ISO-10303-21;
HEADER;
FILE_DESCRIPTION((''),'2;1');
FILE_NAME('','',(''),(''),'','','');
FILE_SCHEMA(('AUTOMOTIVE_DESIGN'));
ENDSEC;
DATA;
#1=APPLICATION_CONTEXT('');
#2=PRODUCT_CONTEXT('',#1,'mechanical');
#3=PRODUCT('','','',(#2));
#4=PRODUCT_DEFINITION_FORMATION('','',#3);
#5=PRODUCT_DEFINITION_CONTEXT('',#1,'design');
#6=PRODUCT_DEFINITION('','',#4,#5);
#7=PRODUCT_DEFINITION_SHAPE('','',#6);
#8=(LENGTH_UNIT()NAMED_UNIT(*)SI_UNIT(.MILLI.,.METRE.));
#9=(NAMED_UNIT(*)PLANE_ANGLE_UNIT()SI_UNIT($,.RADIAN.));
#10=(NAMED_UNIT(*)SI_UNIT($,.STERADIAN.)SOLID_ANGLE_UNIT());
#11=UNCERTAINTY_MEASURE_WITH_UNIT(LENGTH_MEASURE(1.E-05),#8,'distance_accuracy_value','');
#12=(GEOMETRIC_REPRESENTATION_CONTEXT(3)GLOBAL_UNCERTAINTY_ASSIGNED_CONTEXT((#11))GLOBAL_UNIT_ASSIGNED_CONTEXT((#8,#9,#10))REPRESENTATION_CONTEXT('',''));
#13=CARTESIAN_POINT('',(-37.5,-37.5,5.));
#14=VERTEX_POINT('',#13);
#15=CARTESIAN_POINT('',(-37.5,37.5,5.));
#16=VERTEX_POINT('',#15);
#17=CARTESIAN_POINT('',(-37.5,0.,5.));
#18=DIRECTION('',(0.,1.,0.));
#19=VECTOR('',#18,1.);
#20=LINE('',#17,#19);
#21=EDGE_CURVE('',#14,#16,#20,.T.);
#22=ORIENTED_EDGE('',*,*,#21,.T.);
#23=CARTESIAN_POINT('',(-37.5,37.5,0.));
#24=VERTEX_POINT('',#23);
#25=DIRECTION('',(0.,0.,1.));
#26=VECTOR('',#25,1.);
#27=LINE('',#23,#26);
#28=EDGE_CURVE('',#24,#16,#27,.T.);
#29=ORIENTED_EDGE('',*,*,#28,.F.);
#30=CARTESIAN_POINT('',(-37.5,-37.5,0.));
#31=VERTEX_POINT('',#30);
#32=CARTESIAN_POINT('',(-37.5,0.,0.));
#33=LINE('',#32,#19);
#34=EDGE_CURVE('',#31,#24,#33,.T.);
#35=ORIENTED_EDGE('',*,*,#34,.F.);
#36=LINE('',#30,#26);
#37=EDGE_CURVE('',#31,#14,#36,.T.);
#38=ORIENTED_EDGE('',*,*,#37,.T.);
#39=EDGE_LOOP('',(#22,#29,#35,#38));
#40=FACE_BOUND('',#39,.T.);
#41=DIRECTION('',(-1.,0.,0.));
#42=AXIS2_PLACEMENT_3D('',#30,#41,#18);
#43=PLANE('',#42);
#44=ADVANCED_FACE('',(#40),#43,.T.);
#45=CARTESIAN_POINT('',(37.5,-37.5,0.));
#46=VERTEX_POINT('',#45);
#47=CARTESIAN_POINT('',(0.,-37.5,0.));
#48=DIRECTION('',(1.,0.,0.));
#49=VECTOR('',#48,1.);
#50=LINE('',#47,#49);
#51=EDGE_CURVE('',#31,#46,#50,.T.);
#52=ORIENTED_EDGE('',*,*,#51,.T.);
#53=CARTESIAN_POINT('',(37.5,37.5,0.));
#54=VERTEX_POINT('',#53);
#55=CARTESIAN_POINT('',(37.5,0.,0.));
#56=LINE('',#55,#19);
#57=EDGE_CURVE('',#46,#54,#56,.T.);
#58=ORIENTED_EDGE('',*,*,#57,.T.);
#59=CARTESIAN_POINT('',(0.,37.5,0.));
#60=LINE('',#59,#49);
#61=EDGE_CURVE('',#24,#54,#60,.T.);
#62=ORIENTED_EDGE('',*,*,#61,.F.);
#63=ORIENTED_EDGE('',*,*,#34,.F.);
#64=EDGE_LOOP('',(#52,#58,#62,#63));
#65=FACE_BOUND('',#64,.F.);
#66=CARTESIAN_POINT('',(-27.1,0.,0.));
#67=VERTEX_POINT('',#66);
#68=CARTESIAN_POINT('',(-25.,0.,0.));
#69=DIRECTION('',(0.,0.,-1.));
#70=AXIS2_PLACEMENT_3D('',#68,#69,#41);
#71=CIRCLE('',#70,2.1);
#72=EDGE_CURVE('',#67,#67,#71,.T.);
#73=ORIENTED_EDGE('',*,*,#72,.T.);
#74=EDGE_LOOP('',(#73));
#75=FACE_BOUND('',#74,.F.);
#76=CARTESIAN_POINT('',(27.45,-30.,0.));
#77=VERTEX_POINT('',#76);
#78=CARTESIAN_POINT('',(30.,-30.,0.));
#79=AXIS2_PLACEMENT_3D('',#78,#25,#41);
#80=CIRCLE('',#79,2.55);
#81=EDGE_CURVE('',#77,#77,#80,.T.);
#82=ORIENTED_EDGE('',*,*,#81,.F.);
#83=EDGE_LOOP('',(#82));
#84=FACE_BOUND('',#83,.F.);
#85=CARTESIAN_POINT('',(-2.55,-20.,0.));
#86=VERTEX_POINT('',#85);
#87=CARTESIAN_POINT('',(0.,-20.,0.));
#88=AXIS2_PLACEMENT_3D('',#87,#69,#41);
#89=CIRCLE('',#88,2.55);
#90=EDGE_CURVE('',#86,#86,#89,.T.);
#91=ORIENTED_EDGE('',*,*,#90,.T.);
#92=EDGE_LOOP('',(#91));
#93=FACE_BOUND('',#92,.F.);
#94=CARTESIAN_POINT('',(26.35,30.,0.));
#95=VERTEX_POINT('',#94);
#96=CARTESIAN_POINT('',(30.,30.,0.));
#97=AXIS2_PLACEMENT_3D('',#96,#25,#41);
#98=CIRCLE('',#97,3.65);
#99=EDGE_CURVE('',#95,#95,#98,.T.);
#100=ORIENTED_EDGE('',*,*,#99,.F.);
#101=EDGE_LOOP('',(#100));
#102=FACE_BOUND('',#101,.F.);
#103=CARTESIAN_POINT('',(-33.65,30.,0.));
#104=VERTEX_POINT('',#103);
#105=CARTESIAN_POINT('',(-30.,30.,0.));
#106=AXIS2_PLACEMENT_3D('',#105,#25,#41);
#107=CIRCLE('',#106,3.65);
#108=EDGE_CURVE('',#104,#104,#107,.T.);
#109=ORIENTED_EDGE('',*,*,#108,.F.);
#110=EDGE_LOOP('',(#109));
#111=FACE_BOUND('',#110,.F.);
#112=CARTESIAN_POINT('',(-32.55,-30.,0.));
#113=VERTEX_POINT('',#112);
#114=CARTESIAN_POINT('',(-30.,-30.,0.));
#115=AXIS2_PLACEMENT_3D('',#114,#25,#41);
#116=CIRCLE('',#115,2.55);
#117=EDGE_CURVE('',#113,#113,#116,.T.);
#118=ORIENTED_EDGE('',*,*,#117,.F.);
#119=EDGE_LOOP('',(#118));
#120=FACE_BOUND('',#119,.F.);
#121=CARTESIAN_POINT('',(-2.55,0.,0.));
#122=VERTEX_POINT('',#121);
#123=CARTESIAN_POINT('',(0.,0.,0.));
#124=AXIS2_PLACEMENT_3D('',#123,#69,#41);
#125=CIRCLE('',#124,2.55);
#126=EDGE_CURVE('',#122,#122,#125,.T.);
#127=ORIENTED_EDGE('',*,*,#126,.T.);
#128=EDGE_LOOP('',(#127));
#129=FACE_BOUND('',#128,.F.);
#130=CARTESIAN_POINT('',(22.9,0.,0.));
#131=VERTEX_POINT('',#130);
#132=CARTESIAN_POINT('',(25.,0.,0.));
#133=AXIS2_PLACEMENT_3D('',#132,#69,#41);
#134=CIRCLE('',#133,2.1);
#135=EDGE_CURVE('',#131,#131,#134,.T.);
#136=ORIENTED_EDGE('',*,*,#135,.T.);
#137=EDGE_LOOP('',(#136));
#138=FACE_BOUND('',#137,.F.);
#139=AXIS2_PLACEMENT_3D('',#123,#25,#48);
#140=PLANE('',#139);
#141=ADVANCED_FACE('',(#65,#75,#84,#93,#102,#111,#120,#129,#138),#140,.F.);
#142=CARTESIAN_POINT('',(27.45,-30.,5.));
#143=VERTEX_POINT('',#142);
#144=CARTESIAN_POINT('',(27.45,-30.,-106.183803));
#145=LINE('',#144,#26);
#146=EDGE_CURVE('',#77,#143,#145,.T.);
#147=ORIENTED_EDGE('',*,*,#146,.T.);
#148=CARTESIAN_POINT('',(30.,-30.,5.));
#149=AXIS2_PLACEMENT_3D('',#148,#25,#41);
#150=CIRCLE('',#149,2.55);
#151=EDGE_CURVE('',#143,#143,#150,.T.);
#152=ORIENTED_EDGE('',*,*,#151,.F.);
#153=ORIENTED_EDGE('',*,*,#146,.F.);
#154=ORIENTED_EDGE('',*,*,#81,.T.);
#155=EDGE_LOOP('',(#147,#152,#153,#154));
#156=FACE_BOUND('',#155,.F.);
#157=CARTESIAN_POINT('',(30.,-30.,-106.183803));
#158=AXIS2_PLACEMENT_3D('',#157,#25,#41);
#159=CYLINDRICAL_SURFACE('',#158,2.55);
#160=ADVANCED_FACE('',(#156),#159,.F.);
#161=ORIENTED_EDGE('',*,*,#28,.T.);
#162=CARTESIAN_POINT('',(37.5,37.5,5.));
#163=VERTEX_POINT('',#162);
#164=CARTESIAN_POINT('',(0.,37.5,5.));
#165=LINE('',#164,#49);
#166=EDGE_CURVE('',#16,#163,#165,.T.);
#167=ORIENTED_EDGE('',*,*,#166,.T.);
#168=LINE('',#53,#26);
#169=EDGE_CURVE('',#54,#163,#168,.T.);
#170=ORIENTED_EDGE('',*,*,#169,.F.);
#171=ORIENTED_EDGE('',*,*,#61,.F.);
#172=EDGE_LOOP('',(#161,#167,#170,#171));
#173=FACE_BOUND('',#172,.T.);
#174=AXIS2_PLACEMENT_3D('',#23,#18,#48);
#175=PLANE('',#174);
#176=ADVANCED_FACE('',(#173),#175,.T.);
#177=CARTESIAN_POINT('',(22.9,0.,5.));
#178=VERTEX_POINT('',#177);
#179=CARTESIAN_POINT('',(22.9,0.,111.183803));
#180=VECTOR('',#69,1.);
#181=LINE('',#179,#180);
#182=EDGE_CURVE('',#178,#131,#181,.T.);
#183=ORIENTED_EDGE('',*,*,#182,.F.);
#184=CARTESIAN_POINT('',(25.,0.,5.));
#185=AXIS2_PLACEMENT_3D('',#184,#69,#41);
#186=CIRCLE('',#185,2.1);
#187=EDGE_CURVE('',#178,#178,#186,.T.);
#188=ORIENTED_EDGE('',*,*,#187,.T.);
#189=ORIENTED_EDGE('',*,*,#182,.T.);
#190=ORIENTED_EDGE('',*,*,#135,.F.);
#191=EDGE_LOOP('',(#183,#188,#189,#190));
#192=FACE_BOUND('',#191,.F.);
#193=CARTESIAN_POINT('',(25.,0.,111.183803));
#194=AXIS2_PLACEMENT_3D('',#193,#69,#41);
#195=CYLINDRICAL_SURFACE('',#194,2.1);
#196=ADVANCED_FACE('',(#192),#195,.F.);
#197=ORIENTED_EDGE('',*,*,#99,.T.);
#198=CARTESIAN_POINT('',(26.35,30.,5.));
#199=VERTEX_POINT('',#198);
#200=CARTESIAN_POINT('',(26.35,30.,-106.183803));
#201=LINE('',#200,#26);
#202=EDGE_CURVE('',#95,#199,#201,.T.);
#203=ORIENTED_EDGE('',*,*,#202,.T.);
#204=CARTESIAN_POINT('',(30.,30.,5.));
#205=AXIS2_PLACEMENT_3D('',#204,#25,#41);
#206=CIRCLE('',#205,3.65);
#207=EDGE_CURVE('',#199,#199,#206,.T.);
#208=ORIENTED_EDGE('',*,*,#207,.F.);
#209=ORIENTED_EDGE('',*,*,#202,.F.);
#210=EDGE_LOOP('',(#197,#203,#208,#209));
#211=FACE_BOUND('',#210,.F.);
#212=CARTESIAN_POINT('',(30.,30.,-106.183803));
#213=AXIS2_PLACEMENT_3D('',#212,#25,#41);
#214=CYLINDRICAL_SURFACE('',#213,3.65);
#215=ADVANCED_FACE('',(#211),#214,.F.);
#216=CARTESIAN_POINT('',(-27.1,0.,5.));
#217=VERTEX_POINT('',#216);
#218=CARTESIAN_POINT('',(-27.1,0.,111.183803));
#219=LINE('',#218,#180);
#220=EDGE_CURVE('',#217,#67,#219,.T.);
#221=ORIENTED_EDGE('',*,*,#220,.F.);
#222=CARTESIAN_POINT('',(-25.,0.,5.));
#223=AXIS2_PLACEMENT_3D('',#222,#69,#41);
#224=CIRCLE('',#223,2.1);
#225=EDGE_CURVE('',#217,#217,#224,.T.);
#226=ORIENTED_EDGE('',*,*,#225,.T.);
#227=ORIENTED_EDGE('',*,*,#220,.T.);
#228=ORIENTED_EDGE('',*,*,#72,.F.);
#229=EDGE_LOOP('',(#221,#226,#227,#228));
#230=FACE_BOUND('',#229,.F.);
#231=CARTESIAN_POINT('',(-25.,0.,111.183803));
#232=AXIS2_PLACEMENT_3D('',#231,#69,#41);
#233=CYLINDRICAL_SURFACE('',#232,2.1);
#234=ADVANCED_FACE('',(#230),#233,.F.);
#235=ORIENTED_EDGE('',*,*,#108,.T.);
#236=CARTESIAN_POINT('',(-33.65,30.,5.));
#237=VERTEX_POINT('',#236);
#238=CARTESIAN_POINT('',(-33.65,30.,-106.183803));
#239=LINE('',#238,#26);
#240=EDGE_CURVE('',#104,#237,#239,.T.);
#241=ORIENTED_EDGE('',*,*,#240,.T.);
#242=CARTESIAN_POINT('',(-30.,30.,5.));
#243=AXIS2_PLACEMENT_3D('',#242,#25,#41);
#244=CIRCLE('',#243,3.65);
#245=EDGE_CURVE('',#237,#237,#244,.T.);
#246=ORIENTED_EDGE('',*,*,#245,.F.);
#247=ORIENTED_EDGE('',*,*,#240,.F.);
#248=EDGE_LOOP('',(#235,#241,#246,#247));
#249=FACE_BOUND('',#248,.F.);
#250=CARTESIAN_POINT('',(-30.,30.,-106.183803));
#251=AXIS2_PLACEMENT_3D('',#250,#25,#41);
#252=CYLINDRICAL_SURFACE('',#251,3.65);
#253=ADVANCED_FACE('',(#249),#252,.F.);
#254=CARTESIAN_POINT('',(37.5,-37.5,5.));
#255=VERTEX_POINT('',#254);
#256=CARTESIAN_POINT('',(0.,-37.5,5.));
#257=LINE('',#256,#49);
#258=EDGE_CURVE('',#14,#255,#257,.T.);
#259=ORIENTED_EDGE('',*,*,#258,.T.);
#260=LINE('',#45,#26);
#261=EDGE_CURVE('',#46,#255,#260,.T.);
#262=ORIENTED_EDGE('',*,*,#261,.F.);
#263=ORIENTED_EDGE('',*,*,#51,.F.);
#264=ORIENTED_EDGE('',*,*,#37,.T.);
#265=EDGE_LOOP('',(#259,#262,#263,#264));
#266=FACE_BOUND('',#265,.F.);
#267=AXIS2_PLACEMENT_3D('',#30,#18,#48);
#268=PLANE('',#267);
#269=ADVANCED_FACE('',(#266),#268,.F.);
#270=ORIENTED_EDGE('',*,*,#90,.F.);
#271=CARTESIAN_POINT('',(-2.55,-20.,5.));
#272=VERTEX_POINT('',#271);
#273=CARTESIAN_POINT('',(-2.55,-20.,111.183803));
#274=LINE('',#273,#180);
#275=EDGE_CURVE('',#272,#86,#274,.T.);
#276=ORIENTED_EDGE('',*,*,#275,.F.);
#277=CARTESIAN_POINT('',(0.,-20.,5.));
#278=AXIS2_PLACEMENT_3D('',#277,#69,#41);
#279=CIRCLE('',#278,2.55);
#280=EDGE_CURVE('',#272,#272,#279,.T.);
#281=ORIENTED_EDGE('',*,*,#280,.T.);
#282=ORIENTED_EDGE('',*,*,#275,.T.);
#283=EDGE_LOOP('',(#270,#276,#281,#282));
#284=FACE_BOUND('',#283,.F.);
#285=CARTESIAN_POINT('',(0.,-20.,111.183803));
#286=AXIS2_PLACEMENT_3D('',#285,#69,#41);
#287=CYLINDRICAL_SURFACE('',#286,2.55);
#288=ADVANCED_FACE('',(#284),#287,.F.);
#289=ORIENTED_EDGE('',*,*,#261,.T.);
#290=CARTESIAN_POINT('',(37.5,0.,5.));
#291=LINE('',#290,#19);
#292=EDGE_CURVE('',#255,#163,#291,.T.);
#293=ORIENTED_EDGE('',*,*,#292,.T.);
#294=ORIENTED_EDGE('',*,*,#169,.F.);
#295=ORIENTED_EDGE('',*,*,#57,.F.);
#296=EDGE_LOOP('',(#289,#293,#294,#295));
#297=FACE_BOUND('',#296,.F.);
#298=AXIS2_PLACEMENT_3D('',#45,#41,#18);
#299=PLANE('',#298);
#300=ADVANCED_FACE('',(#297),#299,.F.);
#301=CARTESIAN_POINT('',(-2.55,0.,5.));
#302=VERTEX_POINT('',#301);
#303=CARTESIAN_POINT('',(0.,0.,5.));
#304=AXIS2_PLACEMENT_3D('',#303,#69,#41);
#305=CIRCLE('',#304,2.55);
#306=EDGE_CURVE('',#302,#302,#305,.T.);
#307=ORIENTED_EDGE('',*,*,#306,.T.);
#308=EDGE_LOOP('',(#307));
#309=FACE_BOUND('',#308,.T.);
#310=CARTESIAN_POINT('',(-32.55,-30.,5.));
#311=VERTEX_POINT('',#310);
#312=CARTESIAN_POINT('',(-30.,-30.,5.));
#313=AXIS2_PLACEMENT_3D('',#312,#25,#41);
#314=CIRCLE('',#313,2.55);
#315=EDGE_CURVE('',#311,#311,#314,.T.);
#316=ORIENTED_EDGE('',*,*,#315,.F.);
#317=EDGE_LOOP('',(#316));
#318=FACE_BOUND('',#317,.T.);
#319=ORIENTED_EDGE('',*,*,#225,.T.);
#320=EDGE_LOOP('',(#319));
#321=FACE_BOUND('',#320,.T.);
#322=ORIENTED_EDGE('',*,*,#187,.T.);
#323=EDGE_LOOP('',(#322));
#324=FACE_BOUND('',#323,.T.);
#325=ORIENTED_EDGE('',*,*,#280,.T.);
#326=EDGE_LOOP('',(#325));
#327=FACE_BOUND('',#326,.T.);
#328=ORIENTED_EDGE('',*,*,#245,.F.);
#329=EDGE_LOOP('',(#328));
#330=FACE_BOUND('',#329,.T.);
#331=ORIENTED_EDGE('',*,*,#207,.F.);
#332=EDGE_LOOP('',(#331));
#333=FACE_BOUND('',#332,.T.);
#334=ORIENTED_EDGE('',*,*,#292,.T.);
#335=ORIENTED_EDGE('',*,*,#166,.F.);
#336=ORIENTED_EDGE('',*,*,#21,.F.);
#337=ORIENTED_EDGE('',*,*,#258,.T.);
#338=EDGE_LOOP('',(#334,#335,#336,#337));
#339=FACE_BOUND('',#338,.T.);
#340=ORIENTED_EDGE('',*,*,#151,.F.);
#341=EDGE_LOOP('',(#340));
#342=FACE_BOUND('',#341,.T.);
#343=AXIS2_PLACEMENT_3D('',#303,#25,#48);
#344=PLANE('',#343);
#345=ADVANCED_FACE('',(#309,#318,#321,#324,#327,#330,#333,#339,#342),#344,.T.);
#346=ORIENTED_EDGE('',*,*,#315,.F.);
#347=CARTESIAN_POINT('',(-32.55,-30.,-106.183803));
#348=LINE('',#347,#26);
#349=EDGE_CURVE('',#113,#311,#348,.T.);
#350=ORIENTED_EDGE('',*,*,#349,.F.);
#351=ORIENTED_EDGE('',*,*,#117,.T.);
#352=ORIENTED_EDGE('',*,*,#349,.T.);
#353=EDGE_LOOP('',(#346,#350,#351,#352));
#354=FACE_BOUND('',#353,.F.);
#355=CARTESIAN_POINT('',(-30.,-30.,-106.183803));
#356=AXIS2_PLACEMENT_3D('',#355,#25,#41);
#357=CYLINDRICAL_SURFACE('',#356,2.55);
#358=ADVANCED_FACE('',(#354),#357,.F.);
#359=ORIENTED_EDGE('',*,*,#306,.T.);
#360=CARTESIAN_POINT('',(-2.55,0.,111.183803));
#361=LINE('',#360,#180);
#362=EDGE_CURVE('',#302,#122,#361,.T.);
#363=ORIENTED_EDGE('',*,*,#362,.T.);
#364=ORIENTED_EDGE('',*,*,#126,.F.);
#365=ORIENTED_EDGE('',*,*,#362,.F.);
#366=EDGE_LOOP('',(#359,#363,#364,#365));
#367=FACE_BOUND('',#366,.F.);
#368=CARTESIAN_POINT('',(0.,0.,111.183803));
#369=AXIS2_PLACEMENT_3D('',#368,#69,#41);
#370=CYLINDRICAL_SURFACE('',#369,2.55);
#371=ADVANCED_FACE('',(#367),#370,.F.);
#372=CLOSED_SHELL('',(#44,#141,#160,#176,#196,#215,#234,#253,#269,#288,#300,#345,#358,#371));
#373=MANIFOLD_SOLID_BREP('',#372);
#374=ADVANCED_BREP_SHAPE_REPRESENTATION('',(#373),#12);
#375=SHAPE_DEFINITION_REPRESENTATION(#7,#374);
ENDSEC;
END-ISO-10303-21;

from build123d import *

# Parameters (mm, degrees)
F3_W     = 75
F3_H     = 75
F3_W_2   = 60
F3_H_2   = 60
F4_DEPTH = 5
F5_D     = 5.1
F0_D     = 7.3
F1_D     = 5.1
F7_D     = 4.2


with BuildPart() as f4:
    # F3 (on Top) → F4 (new body)
    with BuildSketch(Plane.XY):
        Rectangle(F3_W, F3_H)
        Rectangle(F3_W_2, F3_H_2, mode=Mode.SUBTRACT)
        Rectangle(F3_W_2, F3_H_2)
    extrude(amount=F4_DEPTH)

    # F5 (through all)
    with Locations(Plane(origin=(0, 0, 0), x_dir=(1, 0, 0), z_dir=(0, 0, -1))):
        with Locations((-30, 30), (30, 30)):
            Hole(F5_D / 2)

    # F0 (through all)
    with Locations(Plane(origin=(0, 0, 0), x_dir=(1, 0, 0), z_dir=(0, 0, -1))):
        with Locations((-30, -30), (30, -30)):
            Hole(F0_D / 2)

    # F1 (through all)
    with Locations(Plane.XY.offset(5)):
        with Locations((0, 0), (0, -20)):
            Hole(F1_D / 2)

    # F7 (through all)
    with Locations(Plane.XY.offset(5)):
        with Locations((25, 0), (-25, 0)):
            Hole(F7_D / 2)


solid = f4.part
